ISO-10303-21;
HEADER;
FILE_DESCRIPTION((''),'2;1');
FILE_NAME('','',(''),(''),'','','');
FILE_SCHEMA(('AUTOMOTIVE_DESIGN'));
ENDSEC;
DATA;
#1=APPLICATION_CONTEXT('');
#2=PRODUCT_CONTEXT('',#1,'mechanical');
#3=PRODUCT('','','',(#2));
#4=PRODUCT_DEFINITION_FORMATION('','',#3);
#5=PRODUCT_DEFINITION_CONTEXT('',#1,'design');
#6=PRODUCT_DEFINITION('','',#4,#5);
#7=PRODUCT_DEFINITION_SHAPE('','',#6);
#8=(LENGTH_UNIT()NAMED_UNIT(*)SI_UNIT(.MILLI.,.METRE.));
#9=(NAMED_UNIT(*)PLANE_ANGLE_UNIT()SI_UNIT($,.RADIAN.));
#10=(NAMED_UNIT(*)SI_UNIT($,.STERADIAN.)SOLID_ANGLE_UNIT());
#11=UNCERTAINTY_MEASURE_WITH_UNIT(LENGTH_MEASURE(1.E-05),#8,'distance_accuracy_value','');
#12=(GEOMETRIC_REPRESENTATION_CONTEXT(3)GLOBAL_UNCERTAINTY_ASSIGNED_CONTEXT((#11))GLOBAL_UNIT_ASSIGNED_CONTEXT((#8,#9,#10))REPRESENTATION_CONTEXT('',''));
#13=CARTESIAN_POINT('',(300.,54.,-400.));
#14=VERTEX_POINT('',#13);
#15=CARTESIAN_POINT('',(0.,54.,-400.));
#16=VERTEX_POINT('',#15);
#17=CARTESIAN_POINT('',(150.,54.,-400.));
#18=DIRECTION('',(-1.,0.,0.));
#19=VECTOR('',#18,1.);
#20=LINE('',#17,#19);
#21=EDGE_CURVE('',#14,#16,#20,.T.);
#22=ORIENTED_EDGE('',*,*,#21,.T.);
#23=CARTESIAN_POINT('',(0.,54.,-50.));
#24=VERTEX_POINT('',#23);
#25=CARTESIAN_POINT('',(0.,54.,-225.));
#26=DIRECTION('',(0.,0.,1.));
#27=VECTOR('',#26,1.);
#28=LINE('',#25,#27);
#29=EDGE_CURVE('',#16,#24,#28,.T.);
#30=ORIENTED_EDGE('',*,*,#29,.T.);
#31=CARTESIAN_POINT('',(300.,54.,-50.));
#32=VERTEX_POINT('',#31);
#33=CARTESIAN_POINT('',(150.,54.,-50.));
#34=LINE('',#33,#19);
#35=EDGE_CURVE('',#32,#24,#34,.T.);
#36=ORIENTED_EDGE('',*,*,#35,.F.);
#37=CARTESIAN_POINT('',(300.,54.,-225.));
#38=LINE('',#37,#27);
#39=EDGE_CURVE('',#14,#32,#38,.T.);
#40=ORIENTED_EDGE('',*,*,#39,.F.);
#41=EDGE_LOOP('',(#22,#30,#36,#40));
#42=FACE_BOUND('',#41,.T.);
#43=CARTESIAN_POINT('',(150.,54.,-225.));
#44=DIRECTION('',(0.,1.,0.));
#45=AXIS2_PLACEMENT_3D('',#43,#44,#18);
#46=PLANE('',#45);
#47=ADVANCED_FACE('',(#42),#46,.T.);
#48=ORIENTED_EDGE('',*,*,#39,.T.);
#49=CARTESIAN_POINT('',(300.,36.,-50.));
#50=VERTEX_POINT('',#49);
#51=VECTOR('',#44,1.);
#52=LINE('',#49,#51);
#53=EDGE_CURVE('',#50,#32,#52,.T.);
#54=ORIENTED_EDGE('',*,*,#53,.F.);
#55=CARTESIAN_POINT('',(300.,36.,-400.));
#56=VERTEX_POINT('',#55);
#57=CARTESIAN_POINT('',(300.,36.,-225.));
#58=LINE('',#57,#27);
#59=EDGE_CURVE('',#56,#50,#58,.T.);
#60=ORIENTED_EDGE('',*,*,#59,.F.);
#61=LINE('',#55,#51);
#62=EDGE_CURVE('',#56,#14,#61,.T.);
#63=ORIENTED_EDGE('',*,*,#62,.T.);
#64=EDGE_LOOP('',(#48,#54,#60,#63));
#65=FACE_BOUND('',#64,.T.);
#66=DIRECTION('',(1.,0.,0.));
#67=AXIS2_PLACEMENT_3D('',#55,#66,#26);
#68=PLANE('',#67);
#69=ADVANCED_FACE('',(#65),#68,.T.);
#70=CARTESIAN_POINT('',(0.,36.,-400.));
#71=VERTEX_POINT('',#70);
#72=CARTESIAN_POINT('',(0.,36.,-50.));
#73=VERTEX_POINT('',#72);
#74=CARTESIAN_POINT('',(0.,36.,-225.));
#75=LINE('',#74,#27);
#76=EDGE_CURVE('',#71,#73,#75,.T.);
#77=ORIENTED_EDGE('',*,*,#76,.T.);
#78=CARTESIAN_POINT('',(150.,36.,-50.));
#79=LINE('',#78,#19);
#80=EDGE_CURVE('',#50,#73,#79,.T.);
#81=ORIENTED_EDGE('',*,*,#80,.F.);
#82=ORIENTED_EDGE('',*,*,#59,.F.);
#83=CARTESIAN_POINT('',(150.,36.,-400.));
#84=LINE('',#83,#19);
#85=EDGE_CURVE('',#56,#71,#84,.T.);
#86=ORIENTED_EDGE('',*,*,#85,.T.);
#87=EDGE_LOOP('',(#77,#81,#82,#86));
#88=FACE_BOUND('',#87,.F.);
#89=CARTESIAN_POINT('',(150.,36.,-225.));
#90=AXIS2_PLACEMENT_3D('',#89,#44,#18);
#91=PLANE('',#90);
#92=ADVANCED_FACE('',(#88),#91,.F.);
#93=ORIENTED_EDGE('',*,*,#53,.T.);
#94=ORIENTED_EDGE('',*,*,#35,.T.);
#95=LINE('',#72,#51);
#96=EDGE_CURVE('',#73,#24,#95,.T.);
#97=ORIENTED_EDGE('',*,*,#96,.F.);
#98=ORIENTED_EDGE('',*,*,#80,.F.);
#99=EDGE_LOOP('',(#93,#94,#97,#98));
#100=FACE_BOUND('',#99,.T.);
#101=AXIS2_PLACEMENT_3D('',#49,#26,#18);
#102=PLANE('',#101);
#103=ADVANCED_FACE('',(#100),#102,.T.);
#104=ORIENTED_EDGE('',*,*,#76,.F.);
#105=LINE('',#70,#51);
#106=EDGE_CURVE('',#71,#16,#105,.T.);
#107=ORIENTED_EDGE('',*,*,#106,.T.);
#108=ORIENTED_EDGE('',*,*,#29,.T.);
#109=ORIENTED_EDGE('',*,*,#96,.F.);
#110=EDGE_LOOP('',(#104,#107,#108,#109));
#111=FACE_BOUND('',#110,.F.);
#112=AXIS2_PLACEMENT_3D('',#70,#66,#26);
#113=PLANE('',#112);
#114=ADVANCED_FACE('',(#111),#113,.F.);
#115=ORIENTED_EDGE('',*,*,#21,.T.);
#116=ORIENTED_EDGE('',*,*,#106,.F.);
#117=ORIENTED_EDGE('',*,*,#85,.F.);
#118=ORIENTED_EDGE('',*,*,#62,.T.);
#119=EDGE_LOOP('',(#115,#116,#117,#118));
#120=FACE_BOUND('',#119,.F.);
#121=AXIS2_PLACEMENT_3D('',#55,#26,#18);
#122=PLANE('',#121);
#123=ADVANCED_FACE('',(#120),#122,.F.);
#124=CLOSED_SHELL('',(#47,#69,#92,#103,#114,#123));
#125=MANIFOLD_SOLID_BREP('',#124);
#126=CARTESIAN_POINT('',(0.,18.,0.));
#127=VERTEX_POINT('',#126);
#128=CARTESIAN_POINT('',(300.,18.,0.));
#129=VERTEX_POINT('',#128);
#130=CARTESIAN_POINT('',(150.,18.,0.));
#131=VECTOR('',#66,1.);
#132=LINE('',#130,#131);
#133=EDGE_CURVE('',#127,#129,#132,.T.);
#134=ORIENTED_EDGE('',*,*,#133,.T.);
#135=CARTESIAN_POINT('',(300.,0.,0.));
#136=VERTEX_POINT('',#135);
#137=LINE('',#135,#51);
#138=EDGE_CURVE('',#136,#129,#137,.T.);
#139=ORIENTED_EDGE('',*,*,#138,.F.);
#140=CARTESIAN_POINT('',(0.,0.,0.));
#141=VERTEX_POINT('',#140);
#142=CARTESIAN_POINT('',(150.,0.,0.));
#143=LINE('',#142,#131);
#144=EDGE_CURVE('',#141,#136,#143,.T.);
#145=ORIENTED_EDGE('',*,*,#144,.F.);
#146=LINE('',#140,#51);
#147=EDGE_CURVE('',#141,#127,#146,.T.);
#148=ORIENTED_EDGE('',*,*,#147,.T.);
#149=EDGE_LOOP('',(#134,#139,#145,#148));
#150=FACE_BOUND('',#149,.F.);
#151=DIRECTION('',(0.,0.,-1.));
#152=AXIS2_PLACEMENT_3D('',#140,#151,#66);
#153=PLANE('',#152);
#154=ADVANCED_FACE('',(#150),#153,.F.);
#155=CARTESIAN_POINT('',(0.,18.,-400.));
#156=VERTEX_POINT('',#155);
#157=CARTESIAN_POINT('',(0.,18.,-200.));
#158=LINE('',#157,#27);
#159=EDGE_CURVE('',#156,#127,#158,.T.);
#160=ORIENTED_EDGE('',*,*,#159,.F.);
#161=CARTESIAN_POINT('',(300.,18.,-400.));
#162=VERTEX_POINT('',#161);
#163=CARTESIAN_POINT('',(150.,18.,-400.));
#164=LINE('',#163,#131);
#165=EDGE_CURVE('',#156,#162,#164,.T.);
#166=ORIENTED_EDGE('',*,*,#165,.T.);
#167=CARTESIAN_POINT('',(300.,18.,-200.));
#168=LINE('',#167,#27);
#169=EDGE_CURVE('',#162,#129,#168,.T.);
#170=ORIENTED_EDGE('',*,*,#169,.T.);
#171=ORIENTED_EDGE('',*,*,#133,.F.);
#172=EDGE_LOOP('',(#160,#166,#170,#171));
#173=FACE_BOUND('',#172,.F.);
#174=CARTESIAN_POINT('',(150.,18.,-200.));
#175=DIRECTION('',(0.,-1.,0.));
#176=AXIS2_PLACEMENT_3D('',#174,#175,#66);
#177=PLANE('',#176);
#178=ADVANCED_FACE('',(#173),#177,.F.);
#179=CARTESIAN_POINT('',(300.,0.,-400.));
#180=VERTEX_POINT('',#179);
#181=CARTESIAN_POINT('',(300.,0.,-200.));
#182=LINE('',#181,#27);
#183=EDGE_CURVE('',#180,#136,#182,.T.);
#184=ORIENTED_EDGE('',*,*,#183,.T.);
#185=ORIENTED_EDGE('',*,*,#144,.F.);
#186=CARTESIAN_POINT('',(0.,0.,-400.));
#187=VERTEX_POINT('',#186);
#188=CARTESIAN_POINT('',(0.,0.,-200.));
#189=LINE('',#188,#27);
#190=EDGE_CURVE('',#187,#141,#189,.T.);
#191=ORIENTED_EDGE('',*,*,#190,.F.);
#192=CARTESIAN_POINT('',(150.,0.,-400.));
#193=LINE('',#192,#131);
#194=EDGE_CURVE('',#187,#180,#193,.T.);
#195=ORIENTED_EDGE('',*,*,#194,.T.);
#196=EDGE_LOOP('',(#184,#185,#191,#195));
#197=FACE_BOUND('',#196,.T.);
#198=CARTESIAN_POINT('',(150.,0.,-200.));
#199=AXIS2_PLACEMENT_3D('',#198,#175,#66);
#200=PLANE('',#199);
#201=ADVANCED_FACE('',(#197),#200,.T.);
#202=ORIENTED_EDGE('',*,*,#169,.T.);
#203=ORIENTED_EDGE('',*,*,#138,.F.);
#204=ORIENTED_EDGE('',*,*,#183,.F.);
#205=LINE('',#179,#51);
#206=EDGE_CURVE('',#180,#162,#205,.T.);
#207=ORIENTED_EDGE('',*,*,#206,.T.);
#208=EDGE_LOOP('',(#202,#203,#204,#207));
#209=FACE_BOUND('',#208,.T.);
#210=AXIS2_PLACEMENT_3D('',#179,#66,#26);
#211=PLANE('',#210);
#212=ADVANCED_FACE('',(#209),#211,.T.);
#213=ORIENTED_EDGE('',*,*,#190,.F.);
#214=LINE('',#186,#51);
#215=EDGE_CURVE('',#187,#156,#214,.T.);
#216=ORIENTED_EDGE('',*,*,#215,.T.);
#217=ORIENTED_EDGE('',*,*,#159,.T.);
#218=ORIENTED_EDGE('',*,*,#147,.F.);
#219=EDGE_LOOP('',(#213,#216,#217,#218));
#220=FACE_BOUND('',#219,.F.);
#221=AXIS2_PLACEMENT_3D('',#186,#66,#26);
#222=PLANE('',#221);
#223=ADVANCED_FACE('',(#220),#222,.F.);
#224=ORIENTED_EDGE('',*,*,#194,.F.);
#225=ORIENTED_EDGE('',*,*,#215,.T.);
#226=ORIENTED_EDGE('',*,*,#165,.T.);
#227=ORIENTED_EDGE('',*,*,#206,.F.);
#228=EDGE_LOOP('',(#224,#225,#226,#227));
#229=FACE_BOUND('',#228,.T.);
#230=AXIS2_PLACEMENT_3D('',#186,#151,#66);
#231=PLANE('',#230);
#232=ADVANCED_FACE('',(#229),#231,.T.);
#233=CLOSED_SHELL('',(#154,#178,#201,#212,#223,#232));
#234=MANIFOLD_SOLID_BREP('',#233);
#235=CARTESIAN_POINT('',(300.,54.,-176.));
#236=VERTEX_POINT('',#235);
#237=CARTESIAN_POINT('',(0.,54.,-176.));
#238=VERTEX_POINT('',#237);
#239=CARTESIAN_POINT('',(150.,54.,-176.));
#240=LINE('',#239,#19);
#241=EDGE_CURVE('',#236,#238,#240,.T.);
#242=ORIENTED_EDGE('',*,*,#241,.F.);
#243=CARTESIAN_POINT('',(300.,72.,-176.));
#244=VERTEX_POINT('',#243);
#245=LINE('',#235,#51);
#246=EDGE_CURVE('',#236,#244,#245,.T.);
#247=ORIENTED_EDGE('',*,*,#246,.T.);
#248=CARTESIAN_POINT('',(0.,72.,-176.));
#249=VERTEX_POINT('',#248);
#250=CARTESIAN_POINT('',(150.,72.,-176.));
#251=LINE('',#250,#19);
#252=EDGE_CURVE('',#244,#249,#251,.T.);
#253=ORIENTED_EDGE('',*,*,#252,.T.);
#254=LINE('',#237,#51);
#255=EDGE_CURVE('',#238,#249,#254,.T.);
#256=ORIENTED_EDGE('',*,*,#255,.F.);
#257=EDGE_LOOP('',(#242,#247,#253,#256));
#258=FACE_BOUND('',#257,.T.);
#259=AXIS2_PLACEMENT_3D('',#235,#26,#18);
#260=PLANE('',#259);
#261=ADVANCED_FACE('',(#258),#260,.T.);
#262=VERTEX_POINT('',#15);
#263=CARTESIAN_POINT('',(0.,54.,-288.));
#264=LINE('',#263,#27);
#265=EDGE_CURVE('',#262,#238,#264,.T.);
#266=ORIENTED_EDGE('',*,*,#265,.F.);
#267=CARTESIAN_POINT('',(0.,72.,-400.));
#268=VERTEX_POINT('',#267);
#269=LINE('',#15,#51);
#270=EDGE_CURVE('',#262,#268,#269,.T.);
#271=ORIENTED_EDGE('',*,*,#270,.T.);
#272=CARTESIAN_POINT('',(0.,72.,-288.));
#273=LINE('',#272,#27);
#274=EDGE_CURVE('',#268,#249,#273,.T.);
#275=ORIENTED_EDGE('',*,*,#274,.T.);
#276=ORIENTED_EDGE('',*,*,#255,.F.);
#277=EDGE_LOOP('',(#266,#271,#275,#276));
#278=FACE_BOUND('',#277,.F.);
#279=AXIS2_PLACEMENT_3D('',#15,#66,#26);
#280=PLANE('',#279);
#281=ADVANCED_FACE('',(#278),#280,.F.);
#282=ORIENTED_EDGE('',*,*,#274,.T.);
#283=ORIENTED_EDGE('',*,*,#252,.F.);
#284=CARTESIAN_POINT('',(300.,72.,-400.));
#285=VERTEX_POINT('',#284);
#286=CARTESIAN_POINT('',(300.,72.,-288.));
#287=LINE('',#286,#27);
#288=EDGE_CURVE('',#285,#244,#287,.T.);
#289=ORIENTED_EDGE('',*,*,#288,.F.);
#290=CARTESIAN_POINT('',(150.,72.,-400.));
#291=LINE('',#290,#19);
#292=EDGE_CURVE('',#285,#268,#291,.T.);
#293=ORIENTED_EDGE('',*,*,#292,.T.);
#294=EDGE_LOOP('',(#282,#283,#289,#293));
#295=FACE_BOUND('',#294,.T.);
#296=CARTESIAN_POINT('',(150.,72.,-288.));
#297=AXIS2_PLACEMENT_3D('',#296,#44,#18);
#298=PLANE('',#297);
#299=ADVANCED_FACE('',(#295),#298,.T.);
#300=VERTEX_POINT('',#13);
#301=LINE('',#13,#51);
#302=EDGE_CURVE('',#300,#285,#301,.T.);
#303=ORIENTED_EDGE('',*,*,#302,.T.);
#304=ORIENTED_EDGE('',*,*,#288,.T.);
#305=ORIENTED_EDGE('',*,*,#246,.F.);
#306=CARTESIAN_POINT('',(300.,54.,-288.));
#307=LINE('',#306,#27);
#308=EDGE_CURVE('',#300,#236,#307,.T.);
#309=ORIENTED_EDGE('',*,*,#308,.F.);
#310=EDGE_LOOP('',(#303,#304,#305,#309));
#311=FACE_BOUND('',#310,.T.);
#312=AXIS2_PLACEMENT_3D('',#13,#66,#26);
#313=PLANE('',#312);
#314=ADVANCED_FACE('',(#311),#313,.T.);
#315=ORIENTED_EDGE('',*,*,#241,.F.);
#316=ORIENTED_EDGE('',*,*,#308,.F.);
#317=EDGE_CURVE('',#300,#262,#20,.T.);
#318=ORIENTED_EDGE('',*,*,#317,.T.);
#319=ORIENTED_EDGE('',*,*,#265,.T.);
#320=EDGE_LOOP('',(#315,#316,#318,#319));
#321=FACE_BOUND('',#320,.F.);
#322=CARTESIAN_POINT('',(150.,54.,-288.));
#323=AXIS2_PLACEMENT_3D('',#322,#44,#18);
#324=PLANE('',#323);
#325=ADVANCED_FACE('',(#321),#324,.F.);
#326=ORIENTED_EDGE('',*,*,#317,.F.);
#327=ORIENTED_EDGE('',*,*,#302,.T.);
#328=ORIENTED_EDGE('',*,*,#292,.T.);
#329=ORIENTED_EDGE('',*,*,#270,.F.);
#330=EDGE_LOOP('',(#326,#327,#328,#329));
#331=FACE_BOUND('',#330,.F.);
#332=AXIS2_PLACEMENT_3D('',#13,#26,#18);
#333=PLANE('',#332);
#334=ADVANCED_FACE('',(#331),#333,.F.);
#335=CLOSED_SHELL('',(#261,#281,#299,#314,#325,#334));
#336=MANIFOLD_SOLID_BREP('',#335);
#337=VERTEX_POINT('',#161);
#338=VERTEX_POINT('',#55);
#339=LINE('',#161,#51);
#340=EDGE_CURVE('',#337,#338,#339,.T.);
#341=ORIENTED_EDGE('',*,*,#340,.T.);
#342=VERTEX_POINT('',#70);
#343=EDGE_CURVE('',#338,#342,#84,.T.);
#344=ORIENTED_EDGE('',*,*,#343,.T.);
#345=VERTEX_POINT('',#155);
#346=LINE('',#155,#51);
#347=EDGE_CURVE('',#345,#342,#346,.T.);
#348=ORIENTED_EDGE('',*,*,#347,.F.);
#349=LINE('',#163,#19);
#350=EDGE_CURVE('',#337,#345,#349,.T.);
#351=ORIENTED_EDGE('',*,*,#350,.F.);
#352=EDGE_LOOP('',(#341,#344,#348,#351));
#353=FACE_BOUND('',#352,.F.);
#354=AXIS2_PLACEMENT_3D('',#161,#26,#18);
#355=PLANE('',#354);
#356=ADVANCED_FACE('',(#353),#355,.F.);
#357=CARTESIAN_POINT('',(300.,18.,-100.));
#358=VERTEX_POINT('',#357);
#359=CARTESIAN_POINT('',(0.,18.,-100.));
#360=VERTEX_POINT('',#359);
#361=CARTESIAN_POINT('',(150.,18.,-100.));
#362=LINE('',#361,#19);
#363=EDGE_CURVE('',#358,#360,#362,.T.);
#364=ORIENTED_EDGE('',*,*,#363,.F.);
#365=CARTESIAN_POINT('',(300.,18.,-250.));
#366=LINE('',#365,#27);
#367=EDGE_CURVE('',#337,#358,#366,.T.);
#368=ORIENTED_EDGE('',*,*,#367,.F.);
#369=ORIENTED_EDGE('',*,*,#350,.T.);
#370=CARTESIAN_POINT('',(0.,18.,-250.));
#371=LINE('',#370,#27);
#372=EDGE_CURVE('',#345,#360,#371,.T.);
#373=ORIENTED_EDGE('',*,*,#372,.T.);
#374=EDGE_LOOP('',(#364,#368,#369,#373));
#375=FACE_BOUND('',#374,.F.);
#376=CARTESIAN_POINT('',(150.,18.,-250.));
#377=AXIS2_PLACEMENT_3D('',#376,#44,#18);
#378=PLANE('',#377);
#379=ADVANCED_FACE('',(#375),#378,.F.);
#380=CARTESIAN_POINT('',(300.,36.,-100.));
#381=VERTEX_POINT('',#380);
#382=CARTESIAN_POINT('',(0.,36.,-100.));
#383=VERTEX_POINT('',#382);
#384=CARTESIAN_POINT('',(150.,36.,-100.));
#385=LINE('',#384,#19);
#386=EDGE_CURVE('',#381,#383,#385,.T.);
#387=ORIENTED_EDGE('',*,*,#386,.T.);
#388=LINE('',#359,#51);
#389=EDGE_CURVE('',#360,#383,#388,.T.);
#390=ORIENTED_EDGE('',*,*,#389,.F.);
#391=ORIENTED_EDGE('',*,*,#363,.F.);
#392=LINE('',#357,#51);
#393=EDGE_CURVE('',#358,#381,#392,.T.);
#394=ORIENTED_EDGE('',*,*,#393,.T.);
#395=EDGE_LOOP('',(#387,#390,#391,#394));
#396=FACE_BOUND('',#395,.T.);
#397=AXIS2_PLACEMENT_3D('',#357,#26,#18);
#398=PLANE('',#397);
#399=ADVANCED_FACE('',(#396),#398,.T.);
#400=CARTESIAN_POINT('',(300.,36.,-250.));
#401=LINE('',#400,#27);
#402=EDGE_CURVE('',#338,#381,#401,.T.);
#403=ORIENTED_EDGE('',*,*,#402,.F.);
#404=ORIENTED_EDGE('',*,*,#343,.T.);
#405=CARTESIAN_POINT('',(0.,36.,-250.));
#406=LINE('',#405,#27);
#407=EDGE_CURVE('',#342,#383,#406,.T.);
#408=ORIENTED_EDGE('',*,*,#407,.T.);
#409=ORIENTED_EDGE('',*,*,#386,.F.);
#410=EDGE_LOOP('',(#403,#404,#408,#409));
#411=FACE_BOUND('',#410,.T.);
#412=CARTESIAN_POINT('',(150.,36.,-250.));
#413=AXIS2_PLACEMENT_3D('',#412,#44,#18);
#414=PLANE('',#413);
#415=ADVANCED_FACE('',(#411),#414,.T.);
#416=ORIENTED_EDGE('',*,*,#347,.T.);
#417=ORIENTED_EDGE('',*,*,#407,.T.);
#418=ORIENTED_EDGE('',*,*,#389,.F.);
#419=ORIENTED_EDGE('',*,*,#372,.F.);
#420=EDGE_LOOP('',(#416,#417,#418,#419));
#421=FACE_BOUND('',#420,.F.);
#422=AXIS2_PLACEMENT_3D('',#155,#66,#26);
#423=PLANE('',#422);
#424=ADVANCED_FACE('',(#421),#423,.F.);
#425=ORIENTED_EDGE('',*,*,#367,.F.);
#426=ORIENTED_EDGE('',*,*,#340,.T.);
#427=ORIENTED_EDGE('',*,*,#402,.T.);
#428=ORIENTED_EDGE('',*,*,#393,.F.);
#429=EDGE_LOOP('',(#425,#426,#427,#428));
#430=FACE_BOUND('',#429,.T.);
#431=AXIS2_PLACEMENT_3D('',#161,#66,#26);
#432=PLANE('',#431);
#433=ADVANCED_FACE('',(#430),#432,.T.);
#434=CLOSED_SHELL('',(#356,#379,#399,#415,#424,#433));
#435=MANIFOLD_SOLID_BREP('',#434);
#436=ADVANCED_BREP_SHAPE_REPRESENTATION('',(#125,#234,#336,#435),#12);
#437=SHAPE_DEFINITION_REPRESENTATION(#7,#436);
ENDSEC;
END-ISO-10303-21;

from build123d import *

# Parameters (mm, degrees)
F0_W     = 300
F0_H     = 400
F1_DEPTH = 18
F2_W     = 300
F2_H     = 300
F3_DEPTH = 18
F4_W     = 300
F4_H     = 350
F5_DEPTH = 18
F6_W     = 300
F6_H     = 224
F7_DEPTH = 18


with BuildPart() as f1:
    # F0 (on Front) → F1 (new body)
    with BuildSketch(Plane.XZ):
        with Locations((150, -200)):
            Rectangle(F0_W, F0_H)
    extrude(amount=-F1_DEPTH)


with BuildPart() as f3:
    # F2 (on face) → F3 (new body)
    with BuildSketch(Plane(origin=(0, 18, 0), x_dir=(-1, 0, 0), z_dir=(0, 1, 0))):
        with Locations((-150, -250)):
            Rectangle(F2_W, F2_H)
    extrude(amount=F3_DEPTH)


with BuildPart() as f5:
    # F4 (on face) → F5 (new body)
    with BuildSketch(Plane(origin=(0, 36, 0), x_dir=(-1, 0, 0), z_dir=(0, 1, 0))):
        with Locations((-150, -225)):
            Rectangle(F4_W, F4_H)
    extrude(amount=F5_DEPTH)


with BuildPart() as f7:
    # F6 (on face) → F7 (new body)
    with BuildSketch(Plane(origin=(0, 54, 0), x_dir=(-1, 0, 0), z_dir=(0, 1, 0))):
        with Locations((-150, -288)):
            Rectangle(F6_W, F6_H)
    extrude(amount=F7_DEPTH)


solid = Compound([f1.part, f3.part, f5.part, f7.part])
